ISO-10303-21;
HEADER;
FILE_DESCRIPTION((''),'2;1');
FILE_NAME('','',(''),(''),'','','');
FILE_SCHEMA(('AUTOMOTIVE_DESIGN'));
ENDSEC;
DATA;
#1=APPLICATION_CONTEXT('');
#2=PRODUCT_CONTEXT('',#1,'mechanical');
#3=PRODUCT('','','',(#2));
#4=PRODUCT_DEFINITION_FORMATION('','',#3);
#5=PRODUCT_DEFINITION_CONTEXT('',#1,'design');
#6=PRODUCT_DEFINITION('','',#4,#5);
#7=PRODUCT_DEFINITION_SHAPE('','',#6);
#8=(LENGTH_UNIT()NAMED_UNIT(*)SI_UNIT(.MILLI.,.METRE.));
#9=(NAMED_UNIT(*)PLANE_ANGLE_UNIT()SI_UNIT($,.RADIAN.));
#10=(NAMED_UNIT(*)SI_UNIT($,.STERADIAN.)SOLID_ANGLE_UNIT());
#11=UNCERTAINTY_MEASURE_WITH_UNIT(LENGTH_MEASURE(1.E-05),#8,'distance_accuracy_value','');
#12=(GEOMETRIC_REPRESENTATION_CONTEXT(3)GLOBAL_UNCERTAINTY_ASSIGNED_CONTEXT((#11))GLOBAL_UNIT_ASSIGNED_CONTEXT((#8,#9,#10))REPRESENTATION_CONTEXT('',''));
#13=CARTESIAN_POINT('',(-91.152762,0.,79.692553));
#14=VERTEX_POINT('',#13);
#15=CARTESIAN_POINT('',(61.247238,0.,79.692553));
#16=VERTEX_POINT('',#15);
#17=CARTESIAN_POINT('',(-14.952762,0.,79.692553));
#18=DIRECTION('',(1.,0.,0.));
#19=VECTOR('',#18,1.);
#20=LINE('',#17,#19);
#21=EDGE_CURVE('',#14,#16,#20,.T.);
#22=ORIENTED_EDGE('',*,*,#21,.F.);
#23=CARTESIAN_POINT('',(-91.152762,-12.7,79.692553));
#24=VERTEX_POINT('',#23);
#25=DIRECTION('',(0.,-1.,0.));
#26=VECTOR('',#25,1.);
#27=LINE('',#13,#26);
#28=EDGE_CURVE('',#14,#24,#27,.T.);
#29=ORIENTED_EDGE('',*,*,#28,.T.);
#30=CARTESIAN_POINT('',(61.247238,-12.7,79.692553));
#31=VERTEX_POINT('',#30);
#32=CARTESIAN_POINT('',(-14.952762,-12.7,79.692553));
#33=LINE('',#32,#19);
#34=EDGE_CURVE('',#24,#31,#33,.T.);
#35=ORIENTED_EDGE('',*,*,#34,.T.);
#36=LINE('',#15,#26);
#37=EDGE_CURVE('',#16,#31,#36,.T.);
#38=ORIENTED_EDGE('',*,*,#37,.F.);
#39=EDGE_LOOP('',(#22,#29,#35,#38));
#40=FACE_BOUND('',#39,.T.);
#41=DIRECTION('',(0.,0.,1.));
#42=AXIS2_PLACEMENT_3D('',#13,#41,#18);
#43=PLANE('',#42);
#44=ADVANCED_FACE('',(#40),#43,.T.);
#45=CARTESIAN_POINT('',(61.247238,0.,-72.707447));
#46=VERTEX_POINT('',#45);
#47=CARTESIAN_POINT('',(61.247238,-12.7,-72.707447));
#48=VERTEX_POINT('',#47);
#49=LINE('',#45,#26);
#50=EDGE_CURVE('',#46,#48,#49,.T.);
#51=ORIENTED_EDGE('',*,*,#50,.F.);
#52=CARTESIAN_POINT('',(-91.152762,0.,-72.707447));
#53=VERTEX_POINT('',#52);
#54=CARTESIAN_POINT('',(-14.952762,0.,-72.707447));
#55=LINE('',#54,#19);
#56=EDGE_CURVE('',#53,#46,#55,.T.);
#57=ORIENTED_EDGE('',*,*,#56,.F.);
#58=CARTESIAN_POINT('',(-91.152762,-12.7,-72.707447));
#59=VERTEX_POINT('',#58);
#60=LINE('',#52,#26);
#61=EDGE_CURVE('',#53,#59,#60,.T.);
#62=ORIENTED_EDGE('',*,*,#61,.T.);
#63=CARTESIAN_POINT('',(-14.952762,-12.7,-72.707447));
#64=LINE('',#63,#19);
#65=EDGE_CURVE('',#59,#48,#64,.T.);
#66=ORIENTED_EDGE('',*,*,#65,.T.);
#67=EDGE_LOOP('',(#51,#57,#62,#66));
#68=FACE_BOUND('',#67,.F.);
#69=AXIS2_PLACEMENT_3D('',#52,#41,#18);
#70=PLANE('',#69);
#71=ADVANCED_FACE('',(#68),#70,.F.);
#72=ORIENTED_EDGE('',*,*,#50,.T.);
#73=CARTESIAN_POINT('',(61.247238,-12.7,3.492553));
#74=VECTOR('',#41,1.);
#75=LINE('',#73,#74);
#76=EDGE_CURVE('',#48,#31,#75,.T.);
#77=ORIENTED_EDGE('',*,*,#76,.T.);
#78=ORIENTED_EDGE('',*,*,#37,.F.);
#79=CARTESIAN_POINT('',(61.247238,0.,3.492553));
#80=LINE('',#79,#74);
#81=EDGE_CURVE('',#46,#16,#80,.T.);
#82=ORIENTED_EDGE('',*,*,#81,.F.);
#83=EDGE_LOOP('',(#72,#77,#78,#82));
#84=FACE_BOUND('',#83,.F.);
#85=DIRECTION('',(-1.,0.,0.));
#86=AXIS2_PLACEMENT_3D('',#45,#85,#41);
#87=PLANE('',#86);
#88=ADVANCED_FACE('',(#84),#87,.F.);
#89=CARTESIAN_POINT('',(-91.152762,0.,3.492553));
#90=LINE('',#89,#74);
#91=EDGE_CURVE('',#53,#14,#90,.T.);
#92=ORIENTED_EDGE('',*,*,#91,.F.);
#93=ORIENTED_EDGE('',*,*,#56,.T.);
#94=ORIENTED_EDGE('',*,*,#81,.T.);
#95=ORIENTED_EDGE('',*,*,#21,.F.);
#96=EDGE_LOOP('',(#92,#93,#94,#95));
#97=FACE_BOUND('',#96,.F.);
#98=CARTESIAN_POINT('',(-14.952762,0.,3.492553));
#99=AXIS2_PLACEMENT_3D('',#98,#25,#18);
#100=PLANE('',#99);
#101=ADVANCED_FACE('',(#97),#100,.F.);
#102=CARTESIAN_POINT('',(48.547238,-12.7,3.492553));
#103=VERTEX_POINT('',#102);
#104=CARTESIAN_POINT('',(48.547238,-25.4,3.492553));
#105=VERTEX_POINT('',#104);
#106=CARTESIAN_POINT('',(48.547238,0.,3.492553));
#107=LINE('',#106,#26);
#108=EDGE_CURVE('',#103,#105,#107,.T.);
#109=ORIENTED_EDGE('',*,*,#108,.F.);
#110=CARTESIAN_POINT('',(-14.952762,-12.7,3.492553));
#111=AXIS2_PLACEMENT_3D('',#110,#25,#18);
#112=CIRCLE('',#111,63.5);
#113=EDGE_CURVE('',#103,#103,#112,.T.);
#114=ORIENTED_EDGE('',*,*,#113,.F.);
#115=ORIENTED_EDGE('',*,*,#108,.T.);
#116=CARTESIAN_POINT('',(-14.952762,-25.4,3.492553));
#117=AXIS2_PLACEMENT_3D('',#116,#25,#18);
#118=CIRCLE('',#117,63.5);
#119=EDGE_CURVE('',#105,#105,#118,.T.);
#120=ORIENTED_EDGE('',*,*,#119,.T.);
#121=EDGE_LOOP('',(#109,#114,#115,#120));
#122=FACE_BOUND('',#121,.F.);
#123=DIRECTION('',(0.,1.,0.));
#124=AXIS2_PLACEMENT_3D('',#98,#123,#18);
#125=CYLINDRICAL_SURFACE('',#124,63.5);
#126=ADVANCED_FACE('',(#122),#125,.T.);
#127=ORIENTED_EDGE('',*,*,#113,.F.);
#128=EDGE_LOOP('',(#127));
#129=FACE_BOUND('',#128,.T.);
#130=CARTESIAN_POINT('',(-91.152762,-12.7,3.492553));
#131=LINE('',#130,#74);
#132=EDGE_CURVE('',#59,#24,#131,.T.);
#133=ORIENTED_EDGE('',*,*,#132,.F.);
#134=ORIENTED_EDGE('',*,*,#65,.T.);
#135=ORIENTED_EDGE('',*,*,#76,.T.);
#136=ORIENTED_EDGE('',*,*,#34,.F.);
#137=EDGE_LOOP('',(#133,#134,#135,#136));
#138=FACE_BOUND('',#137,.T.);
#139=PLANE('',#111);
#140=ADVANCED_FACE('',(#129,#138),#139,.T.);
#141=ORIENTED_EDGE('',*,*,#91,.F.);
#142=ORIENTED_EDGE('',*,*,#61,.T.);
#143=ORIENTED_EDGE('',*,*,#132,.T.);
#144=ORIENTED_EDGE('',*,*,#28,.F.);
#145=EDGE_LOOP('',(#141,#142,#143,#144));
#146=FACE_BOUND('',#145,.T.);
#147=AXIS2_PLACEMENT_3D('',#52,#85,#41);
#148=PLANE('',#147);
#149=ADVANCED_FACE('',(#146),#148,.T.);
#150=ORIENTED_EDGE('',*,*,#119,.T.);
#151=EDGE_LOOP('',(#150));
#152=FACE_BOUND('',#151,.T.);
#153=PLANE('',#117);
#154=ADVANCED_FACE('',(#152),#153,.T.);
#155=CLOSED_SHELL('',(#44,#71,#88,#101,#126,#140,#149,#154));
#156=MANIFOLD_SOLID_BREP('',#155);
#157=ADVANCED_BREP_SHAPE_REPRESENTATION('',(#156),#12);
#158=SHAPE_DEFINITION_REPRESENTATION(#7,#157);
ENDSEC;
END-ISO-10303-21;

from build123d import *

# Parameters (mm, degrees)
F0_W     = 152.4
F0_H     = 152.4
F0_R     = 63.5
F1_DEPTH = 12.7
F2_DEPTH = 25.4


with BuildPart() as f1:
    # F0 (on Front) → F1 (new body)
    with BuildSketch(Plane.XZ):
        with Locations((-14.952762, 3.492553)):
            Rectangle(F0_W, F0_H)
        with Locations((-14.952762, 3.492553)):
            Circle(F0_R, mode=Mode.SUBTRACT)
    extrude(amount=F1_DEPTH)

    # F0 (on Front) → F2 (join)
    with BuildSketch(Plane.XZ):
        with Locations((-14.952762, 3.492553)):
            Circle(F0_R)
    extrude(amount=F2_DEPTH)


solid = f1.part
